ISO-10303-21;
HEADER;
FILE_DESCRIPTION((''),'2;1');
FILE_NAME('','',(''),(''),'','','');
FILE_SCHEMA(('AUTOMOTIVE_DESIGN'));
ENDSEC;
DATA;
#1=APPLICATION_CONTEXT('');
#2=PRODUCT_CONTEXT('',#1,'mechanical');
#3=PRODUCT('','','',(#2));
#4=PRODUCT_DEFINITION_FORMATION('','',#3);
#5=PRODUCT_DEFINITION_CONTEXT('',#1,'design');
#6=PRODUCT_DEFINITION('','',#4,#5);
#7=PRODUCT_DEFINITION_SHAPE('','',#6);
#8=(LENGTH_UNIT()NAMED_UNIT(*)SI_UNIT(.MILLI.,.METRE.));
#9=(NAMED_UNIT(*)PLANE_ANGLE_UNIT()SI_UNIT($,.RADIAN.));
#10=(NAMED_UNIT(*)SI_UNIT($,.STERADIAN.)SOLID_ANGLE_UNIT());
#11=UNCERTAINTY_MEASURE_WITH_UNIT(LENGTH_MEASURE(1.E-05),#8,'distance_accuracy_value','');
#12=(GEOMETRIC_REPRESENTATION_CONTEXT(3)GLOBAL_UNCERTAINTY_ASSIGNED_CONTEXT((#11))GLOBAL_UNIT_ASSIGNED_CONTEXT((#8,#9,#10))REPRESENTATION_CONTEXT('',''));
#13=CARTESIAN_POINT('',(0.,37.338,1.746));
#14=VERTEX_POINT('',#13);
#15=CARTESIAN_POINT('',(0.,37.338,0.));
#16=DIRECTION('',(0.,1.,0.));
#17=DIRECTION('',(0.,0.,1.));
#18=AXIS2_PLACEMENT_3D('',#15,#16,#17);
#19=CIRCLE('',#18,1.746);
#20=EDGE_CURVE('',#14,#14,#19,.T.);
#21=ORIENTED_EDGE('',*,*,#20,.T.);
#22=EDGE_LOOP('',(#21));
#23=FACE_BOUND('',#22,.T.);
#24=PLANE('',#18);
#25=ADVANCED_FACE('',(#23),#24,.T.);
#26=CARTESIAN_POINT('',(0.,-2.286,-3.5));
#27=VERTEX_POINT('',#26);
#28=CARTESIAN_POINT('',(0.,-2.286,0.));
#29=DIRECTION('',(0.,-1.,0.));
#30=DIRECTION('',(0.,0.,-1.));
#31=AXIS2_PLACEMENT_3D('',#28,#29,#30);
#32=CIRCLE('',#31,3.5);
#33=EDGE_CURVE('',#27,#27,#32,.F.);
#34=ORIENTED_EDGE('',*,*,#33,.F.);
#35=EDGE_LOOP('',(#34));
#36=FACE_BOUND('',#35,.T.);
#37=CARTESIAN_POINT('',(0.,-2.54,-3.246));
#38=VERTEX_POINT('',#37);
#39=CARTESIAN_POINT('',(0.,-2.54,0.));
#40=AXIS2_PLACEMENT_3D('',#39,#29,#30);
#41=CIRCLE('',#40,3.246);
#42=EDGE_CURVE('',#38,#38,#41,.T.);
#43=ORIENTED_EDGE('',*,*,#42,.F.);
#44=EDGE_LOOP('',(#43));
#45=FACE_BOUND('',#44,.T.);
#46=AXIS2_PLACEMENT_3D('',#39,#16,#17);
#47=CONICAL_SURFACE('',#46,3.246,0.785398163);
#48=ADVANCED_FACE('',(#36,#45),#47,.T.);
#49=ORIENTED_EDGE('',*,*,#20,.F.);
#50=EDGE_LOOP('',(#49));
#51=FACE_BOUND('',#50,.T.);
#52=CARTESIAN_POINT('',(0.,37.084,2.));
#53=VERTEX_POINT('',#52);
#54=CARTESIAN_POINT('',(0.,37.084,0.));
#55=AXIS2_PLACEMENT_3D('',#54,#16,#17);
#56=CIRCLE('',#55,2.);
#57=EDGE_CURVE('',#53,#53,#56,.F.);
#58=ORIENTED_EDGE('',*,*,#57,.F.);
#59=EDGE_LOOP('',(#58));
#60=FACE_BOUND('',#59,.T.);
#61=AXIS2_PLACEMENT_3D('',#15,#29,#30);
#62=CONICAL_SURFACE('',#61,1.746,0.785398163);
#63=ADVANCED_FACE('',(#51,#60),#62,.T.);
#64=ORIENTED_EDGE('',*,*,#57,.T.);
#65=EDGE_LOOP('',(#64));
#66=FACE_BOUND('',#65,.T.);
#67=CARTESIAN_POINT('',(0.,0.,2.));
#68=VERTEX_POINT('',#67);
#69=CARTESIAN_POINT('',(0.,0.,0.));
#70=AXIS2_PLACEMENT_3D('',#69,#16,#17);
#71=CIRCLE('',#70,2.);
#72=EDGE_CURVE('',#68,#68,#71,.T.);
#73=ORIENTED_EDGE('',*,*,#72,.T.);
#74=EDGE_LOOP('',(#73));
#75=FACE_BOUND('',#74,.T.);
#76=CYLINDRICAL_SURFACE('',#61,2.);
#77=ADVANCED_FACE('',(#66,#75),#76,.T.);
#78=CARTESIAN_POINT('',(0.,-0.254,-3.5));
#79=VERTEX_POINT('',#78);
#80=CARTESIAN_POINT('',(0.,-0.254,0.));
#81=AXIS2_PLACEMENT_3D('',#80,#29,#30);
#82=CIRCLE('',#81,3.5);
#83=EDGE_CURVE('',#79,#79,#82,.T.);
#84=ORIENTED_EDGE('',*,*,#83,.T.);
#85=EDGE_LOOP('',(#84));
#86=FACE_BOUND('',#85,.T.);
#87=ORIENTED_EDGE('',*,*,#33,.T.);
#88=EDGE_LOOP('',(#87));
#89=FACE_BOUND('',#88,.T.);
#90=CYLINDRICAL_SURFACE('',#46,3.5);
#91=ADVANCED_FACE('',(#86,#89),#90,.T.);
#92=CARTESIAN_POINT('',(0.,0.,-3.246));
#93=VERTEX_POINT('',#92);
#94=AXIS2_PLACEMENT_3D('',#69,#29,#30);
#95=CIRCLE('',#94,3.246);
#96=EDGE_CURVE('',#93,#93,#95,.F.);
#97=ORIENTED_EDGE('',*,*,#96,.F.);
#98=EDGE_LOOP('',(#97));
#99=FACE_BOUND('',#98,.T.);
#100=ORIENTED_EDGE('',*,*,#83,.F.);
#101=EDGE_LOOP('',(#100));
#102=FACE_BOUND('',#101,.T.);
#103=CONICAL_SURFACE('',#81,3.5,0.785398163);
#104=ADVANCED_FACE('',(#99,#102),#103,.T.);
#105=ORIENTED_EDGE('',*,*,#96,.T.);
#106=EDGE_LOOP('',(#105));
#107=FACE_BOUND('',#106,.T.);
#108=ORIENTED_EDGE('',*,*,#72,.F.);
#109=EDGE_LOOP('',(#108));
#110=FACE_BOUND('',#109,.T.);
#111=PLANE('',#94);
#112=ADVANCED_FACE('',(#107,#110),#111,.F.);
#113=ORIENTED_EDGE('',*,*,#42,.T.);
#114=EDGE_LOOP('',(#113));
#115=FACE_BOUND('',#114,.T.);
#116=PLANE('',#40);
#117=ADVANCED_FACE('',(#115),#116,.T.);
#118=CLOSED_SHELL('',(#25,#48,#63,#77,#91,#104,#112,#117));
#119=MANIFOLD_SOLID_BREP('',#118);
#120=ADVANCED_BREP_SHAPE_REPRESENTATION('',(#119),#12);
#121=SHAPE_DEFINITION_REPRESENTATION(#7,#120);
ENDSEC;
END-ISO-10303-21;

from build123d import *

# Parameters (mm, degrees)
SKETCH1_R           = 2
BOSS_EXTRUDE1_DEPTH = 37.338
SKETCH2_R           = 3.5
BOSS_EXTRUDE2_DEPTH = 2.54
CHAMFER1_SIZE       = 0.254
CHAMFER2_SIZE       = 0.254
CHAMFER3_SIZE       = 0.254


with BuildPart() as part:
    # Sketch1 → Boss-Extrude1 (new body)
    with BuildSketch(Plane(origin=(0, 0, 0), x_dir=(1, 0, 0), z_dir=(0, 1, 0))):
        with Locations(Location((0, 0, 0), (0, 0, 270))):
            Circle(SKETCH1_R)
    extrude(amount=BOSS_EXTRUDE1_DEPTH)

    # Sketch2 → Boss-Extrude2 (add)
    with BuildSketch(Plane.XZ):
        with Locations(Location((0, 0, 0), (0, 0, 270))):
            Circle(SKETCH2_R)
    extrude(amount=BOSS_EXTRUDE2_DEPTH)

    # Chamfer1
    chamfer1_edges = [part.edges().sort_by_distance(p)[0] for p in [
        (0, -2.54, 3.5),
    ]]
    chamfer(chamfer1_edges, length=CHAMFER1_SIZE)

    # Chamfer2
    chamfer2_edges = [part.edges().sort_by_distance(p)[0] for p in [
        (0, 37.338, -2),
    ]]
    chamfer(chamfer2_edges, length=CHAMFER2_SIZE)

    # Chamfer3
    chamfer3_edges = [part.edges().sort_by_distance(p)[0] for p in [
        (0, 0, 3.5),
    ]]
    chamfer(chamfer3_edges, length=CHAMFER3_SIZE)


solid = part.part
